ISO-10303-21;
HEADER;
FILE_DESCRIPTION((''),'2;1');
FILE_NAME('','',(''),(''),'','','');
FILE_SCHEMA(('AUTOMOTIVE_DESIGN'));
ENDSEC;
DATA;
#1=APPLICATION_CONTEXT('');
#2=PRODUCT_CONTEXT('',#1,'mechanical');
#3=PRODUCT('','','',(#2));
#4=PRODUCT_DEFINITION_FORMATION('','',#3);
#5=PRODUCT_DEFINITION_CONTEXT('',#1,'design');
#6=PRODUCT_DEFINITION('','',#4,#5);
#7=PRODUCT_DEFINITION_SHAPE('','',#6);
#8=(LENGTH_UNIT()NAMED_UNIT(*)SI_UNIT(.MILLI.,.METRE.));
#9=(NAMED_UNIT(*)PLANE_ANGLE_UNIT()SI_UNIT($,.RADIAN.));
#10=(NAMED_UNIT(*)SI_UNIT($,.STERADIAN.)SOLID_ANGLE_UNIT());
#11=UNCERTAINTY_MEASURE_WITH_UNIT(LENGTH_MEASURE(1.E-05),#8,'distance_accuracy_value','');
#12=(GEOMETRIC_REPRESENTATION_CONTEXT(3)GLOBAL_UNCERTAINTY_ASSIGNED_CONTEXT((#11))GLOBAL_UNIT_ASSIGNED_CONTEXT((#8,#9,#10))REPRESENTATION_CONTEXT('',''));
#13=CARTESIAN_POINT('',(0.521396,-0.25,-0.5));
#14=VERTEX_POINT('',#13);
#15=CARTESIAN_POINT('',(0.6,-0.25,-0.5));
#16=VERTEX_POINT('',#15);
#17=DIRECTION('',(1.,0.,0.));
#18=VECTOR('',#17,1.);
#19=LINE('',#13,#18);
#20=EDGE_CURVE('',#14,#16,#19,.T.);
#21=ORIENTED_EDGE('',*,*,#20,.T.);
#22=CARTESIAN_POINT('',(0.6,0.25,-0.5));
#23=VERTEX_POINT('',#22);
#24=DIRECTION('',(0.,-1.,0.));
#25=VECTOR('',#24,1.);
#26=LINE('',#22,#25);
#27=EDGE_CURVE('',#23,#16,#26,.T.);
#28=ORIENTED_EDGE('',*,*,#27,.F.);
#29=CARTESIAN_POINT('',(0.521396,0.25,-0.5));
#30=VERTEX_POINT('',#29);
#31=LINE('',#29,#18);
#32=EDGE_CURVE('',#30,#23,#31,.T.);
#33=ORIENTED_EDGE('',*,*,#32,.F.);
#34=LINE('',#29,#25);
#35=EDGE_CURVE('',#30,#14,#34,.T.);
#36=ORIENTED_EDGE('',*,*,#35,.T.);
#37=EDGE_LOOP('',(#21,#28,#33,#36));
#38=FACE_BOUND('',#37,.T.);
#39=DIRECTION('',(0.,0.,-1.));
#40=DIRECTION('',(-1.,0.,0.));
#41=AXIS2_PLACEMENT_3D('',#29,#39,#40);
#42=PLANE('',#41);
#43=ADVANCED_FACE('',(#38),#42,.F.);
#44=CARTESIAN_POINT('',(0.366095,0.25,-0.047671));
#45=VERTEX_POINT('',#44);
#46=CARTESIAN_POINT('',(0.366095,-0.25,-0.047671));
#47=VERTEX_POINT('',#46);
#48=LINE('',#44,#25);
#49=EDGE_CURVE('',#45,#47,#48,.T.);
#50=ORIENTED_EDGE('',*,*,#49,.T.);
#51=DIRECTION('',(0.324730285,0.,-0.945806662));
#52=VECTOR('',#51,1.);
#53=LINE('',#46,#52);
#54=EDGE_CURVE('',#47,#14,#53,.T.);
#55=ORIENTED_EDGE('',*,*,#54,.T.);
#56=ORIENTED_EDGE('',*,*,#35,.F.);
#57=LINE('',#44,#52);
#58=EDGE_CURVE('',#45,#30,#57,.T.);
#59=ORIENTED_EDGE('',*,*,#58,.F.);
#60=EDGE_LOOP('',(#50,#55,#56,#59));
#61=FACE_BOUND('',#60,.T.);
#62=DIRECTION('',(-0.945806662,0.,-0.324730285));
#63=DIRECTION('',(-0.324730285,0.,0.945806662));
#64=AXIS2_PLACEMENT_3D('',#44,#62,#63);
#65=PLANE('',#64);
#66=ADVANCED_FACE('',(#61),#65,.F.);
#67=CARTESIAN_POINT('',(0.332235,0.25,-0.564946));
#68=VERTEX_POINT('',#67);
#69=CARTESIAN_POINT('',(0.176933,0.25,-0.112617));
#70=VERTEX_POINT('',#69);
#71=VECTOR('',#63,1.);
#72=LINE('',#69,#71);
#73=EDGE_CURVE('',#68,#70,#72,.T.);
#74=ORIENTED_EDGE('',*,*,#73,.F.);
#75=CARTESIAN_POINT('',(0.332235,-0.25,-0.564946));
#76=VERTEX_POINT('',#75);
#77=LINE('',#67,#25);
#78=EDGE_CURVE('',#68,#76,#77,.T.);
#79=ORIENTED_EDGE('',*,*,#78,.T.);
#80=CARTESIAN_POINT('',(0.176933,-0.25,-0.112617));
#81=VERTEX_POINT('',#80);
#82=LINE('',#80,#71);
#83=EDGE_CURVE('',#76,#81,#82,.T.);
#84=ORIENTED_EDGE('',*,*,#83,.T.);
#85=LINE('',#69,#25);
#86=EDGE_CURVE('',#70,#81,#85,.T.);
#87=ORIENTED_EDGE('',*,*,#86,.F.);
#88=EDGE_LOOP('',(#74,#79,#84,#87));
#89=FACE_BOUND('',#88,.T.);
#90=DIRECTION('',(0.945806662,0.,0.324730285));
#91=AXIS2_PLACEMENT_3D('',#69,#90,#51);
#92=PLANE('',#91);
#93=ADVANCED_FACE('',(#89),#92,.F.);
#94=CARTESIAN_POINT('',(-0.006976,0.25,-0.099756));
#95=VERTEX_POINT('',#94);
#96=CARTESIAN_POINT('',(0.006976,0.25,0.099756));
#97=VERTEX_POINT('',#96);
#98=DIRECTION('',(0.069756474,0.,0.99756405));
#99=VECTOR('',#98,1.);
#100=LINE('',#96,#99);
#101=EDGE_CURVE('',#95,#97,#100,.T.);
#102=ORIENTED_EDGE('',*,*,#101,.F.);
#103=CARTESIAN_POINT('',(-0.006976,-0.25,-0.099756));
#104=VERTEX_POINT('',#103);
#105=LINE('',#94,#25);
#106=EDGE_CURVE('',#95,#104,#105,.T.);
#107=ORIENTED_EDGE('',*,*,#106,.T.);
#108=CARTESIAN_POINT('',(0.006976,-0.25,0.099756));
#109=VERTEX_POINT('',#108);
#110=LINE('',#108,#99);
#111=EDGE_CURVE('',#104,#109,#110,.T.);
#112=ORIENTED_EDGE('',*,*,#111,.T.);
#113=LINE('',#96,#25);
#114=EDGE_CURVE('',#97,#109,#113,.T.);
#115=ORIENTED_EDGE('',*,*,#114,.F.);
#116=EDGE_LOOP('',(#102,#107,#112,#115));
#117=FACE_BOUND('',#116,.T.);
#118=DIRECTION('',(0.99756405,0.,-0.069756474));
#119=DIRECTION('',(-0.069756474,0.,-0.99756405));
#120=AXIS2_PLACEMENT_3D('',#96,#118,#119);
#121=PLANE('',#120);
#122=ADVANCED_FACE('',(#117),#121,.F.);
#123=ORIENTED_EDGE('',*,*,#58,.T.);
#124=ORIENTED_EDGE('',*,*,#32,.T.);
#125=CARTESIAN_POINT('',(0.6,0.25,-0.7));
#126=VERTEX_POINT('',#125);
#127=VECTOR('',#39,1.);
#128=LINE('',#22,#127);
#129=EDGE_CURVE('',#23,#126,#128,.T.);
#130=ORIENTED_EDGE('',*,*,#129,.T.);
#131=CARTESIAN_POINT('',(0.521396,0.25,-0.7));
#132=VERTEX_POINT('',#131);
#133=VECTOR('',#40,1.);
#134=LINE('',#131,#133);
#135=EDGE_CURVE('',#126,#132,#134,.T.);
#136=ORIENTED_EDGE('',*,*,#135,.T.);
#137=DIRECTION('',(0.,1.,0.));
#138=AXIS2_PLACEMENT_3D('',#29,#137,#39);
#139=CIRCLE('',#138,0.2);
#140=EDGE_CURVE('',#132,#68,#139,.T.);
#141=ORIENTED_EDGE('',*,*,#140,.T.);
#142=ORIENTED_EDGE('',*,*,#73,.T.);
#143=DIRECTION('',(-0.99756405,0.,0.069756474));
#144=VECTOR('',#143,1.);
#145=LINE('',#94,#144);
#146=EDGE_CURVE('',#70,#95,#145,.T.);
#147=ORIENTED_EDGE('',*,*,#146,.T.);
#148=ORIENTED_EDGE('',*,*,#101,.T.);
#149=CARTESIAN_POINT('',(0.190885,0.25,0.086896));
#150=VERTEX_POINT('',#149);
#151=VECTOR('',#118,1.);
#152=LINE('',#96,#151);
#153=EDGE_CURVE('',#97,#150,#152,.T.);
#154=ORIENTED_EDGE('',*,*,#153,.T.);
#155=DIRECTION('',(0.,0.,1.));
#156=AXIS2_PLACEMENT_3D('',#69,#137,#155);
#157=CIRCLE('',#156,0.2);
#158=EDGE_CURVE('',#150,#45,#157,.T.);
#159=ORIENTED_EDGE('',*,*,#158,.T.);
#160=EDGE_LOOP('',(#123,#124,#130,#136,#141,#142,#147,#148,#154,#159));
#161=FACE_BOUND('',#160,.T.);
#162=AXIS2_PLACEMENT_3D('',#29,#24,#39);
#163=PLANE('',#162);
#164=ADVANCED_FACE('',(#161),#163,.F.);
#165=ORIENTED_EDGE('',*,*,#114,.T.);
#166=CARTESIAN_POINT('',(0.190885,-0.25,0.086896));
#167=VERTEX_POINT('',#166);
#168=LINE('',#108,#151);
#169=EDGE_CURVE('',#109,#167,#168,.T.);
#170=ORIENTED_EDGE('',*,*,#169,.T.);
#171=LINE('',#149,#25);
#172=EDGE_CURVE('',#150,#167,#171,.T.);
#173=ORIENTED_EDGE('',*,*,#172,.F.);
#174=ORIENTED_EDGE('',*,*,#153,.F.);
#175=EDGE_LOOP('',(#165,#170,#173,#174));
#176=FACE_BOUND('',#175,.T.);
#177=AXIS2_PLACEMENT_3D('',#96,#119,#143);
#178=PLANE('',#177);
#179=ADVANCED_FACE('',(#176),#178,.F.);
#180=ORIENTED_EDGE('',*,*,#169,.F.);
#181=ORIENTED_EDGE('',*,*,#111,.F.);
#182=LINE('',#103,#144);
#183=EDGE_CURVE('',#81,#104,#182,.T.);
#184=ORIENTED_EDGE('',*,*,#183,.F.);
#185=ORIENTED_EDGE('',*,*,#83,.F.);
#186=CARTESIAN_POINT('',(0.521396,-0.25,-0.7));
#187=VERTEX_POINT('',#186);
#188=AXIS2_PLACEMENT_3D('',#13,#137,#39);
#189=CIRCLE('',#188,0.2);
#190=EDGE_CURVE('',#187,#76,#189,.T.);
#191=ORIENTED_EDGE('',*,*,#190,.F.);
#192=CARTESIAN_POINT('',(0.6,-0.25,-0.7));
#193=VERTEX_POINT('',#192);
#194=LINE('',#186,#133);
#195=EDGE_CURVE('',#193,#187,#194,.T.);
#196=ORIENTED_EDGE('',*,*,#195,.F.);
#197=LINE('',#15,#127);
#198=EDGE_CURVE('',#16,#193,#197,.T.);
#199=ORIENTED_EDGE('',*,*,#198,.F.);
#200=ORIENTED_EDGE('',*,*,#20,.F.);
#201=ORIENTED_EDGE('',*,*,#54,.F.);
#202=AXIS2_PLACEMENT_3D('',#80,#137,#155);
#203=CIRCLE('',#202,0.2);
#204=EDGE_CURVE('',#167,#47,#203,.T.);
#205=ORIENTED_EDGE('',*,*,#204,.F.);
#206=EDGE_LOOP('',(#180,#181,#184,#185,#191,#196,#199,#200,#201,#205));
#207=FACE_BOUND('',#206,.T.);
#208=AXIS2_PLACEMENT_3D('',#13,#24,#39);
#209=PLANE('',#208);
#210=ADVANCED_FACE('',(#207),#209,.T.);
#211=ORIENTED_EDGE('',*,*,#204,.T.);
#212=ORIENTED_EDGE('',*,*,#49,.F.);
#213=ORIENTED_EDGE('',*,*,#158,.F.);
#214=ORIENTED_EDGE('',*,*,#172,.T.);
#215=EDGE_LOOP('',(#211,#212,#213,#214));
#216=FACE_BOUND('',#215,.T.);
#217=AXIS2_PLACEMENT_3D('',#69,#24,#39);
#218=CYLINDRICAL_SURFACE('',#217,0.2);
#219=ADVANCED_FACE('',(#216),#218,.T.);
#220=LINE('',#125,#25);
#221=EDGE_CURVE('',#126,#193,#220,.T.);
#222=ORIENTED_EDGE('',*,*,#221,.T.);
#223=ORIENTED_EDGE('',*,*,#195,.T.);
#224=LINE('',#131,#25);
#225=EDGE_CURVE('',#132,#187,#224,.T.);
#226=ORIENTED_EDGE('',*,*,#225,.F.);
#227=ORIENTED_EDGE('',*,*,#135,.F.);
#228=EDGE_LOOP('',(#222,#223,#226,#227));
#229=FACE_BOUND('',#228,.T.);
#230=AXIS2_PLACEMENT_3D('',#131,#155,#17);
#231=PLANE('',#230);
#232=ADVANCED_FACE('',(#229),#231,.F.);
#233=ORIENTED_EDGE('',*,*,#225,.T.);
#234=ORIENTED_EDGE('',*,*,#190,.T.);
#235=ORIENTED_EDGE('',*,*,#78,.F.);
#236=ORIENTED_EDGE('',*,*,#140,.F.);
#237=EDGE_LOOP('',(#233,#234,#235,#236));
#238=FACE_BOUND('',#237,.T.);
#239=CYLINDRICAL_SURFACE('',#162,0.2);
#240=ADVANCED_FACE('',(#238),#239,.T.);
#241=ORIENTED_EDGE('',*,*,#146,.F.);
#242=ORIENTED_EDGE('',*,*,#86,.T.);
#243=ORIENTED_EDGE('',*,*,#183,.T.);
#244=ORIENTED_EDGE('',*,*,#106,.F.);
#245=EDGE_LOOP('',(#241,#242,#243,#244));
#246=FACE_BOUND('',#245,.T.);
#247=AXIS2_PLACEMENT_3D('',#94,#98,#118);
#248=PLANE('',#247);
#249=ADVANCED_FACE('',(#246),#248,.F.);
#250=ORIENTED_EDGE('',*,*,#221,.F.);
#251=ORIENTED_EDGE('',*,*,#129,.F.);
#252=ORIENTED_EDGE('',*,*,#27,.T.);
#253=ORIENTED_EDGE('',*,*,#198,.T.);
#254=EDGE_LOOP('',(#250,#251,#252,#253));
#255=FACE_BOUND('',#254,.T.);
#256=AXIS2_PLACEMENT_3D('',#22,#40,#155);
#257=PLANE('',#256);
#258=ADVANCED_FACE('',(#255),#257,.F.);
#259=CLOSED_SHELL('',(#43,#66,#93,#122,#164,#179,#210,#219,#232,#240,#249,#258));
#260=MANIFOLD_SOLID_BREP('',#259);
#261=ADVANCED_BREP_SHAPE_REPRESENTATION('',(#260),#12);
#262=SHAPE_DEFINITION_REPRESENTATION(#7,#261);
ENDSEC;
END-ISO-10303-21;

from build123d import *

# Parameters (mm, degrees)
BOSS_EXTRUDE1_DEPTH = 0.25


with BuildPart() as part:
    # Sketch2 → Boss-Extrude1 (new, symmetric)
    with BuildSketch(Plane(origin=(0, 0, 0), x_dir=(1, 0, 0), z_dir=(0, 1, 0))):
        with BuildLine():
            Line((0.006975647, -0.099756405), (0.190884751, -0.086896228))
            ThreePointArc((0.190884751, -0.086896228), (0.298756023, -0.046000133), (0.366094789, 0.047670525))
            Line((0.366094789, 0.047670525), (0.521396168, 0.5))
            Line((0.521396168, 0.5), (0.6, 0.5))
            Line((0.6, 0.5), (0.6, 0.7))
            Line((0.6, 0.7), (0.521396168, 0.7))
            ThreePointArc((0.521396168, 0.7), (0.405183457, 0.662771637), (0.332234836, 0.564946057))
            Line((0.332234836, 0.564946057), (0.176933457, 0.112616582))
            Line((0.176933457, 0.112616582), (-0.006975647, 0.099756405))
            Line((-0.006975647, 0.099756405), (0.006975647, -0.099756405))
        make_face()
    extrude(amount=BOSS_EXTRUDE1_DEPTH, both=True)


solid = part.part
